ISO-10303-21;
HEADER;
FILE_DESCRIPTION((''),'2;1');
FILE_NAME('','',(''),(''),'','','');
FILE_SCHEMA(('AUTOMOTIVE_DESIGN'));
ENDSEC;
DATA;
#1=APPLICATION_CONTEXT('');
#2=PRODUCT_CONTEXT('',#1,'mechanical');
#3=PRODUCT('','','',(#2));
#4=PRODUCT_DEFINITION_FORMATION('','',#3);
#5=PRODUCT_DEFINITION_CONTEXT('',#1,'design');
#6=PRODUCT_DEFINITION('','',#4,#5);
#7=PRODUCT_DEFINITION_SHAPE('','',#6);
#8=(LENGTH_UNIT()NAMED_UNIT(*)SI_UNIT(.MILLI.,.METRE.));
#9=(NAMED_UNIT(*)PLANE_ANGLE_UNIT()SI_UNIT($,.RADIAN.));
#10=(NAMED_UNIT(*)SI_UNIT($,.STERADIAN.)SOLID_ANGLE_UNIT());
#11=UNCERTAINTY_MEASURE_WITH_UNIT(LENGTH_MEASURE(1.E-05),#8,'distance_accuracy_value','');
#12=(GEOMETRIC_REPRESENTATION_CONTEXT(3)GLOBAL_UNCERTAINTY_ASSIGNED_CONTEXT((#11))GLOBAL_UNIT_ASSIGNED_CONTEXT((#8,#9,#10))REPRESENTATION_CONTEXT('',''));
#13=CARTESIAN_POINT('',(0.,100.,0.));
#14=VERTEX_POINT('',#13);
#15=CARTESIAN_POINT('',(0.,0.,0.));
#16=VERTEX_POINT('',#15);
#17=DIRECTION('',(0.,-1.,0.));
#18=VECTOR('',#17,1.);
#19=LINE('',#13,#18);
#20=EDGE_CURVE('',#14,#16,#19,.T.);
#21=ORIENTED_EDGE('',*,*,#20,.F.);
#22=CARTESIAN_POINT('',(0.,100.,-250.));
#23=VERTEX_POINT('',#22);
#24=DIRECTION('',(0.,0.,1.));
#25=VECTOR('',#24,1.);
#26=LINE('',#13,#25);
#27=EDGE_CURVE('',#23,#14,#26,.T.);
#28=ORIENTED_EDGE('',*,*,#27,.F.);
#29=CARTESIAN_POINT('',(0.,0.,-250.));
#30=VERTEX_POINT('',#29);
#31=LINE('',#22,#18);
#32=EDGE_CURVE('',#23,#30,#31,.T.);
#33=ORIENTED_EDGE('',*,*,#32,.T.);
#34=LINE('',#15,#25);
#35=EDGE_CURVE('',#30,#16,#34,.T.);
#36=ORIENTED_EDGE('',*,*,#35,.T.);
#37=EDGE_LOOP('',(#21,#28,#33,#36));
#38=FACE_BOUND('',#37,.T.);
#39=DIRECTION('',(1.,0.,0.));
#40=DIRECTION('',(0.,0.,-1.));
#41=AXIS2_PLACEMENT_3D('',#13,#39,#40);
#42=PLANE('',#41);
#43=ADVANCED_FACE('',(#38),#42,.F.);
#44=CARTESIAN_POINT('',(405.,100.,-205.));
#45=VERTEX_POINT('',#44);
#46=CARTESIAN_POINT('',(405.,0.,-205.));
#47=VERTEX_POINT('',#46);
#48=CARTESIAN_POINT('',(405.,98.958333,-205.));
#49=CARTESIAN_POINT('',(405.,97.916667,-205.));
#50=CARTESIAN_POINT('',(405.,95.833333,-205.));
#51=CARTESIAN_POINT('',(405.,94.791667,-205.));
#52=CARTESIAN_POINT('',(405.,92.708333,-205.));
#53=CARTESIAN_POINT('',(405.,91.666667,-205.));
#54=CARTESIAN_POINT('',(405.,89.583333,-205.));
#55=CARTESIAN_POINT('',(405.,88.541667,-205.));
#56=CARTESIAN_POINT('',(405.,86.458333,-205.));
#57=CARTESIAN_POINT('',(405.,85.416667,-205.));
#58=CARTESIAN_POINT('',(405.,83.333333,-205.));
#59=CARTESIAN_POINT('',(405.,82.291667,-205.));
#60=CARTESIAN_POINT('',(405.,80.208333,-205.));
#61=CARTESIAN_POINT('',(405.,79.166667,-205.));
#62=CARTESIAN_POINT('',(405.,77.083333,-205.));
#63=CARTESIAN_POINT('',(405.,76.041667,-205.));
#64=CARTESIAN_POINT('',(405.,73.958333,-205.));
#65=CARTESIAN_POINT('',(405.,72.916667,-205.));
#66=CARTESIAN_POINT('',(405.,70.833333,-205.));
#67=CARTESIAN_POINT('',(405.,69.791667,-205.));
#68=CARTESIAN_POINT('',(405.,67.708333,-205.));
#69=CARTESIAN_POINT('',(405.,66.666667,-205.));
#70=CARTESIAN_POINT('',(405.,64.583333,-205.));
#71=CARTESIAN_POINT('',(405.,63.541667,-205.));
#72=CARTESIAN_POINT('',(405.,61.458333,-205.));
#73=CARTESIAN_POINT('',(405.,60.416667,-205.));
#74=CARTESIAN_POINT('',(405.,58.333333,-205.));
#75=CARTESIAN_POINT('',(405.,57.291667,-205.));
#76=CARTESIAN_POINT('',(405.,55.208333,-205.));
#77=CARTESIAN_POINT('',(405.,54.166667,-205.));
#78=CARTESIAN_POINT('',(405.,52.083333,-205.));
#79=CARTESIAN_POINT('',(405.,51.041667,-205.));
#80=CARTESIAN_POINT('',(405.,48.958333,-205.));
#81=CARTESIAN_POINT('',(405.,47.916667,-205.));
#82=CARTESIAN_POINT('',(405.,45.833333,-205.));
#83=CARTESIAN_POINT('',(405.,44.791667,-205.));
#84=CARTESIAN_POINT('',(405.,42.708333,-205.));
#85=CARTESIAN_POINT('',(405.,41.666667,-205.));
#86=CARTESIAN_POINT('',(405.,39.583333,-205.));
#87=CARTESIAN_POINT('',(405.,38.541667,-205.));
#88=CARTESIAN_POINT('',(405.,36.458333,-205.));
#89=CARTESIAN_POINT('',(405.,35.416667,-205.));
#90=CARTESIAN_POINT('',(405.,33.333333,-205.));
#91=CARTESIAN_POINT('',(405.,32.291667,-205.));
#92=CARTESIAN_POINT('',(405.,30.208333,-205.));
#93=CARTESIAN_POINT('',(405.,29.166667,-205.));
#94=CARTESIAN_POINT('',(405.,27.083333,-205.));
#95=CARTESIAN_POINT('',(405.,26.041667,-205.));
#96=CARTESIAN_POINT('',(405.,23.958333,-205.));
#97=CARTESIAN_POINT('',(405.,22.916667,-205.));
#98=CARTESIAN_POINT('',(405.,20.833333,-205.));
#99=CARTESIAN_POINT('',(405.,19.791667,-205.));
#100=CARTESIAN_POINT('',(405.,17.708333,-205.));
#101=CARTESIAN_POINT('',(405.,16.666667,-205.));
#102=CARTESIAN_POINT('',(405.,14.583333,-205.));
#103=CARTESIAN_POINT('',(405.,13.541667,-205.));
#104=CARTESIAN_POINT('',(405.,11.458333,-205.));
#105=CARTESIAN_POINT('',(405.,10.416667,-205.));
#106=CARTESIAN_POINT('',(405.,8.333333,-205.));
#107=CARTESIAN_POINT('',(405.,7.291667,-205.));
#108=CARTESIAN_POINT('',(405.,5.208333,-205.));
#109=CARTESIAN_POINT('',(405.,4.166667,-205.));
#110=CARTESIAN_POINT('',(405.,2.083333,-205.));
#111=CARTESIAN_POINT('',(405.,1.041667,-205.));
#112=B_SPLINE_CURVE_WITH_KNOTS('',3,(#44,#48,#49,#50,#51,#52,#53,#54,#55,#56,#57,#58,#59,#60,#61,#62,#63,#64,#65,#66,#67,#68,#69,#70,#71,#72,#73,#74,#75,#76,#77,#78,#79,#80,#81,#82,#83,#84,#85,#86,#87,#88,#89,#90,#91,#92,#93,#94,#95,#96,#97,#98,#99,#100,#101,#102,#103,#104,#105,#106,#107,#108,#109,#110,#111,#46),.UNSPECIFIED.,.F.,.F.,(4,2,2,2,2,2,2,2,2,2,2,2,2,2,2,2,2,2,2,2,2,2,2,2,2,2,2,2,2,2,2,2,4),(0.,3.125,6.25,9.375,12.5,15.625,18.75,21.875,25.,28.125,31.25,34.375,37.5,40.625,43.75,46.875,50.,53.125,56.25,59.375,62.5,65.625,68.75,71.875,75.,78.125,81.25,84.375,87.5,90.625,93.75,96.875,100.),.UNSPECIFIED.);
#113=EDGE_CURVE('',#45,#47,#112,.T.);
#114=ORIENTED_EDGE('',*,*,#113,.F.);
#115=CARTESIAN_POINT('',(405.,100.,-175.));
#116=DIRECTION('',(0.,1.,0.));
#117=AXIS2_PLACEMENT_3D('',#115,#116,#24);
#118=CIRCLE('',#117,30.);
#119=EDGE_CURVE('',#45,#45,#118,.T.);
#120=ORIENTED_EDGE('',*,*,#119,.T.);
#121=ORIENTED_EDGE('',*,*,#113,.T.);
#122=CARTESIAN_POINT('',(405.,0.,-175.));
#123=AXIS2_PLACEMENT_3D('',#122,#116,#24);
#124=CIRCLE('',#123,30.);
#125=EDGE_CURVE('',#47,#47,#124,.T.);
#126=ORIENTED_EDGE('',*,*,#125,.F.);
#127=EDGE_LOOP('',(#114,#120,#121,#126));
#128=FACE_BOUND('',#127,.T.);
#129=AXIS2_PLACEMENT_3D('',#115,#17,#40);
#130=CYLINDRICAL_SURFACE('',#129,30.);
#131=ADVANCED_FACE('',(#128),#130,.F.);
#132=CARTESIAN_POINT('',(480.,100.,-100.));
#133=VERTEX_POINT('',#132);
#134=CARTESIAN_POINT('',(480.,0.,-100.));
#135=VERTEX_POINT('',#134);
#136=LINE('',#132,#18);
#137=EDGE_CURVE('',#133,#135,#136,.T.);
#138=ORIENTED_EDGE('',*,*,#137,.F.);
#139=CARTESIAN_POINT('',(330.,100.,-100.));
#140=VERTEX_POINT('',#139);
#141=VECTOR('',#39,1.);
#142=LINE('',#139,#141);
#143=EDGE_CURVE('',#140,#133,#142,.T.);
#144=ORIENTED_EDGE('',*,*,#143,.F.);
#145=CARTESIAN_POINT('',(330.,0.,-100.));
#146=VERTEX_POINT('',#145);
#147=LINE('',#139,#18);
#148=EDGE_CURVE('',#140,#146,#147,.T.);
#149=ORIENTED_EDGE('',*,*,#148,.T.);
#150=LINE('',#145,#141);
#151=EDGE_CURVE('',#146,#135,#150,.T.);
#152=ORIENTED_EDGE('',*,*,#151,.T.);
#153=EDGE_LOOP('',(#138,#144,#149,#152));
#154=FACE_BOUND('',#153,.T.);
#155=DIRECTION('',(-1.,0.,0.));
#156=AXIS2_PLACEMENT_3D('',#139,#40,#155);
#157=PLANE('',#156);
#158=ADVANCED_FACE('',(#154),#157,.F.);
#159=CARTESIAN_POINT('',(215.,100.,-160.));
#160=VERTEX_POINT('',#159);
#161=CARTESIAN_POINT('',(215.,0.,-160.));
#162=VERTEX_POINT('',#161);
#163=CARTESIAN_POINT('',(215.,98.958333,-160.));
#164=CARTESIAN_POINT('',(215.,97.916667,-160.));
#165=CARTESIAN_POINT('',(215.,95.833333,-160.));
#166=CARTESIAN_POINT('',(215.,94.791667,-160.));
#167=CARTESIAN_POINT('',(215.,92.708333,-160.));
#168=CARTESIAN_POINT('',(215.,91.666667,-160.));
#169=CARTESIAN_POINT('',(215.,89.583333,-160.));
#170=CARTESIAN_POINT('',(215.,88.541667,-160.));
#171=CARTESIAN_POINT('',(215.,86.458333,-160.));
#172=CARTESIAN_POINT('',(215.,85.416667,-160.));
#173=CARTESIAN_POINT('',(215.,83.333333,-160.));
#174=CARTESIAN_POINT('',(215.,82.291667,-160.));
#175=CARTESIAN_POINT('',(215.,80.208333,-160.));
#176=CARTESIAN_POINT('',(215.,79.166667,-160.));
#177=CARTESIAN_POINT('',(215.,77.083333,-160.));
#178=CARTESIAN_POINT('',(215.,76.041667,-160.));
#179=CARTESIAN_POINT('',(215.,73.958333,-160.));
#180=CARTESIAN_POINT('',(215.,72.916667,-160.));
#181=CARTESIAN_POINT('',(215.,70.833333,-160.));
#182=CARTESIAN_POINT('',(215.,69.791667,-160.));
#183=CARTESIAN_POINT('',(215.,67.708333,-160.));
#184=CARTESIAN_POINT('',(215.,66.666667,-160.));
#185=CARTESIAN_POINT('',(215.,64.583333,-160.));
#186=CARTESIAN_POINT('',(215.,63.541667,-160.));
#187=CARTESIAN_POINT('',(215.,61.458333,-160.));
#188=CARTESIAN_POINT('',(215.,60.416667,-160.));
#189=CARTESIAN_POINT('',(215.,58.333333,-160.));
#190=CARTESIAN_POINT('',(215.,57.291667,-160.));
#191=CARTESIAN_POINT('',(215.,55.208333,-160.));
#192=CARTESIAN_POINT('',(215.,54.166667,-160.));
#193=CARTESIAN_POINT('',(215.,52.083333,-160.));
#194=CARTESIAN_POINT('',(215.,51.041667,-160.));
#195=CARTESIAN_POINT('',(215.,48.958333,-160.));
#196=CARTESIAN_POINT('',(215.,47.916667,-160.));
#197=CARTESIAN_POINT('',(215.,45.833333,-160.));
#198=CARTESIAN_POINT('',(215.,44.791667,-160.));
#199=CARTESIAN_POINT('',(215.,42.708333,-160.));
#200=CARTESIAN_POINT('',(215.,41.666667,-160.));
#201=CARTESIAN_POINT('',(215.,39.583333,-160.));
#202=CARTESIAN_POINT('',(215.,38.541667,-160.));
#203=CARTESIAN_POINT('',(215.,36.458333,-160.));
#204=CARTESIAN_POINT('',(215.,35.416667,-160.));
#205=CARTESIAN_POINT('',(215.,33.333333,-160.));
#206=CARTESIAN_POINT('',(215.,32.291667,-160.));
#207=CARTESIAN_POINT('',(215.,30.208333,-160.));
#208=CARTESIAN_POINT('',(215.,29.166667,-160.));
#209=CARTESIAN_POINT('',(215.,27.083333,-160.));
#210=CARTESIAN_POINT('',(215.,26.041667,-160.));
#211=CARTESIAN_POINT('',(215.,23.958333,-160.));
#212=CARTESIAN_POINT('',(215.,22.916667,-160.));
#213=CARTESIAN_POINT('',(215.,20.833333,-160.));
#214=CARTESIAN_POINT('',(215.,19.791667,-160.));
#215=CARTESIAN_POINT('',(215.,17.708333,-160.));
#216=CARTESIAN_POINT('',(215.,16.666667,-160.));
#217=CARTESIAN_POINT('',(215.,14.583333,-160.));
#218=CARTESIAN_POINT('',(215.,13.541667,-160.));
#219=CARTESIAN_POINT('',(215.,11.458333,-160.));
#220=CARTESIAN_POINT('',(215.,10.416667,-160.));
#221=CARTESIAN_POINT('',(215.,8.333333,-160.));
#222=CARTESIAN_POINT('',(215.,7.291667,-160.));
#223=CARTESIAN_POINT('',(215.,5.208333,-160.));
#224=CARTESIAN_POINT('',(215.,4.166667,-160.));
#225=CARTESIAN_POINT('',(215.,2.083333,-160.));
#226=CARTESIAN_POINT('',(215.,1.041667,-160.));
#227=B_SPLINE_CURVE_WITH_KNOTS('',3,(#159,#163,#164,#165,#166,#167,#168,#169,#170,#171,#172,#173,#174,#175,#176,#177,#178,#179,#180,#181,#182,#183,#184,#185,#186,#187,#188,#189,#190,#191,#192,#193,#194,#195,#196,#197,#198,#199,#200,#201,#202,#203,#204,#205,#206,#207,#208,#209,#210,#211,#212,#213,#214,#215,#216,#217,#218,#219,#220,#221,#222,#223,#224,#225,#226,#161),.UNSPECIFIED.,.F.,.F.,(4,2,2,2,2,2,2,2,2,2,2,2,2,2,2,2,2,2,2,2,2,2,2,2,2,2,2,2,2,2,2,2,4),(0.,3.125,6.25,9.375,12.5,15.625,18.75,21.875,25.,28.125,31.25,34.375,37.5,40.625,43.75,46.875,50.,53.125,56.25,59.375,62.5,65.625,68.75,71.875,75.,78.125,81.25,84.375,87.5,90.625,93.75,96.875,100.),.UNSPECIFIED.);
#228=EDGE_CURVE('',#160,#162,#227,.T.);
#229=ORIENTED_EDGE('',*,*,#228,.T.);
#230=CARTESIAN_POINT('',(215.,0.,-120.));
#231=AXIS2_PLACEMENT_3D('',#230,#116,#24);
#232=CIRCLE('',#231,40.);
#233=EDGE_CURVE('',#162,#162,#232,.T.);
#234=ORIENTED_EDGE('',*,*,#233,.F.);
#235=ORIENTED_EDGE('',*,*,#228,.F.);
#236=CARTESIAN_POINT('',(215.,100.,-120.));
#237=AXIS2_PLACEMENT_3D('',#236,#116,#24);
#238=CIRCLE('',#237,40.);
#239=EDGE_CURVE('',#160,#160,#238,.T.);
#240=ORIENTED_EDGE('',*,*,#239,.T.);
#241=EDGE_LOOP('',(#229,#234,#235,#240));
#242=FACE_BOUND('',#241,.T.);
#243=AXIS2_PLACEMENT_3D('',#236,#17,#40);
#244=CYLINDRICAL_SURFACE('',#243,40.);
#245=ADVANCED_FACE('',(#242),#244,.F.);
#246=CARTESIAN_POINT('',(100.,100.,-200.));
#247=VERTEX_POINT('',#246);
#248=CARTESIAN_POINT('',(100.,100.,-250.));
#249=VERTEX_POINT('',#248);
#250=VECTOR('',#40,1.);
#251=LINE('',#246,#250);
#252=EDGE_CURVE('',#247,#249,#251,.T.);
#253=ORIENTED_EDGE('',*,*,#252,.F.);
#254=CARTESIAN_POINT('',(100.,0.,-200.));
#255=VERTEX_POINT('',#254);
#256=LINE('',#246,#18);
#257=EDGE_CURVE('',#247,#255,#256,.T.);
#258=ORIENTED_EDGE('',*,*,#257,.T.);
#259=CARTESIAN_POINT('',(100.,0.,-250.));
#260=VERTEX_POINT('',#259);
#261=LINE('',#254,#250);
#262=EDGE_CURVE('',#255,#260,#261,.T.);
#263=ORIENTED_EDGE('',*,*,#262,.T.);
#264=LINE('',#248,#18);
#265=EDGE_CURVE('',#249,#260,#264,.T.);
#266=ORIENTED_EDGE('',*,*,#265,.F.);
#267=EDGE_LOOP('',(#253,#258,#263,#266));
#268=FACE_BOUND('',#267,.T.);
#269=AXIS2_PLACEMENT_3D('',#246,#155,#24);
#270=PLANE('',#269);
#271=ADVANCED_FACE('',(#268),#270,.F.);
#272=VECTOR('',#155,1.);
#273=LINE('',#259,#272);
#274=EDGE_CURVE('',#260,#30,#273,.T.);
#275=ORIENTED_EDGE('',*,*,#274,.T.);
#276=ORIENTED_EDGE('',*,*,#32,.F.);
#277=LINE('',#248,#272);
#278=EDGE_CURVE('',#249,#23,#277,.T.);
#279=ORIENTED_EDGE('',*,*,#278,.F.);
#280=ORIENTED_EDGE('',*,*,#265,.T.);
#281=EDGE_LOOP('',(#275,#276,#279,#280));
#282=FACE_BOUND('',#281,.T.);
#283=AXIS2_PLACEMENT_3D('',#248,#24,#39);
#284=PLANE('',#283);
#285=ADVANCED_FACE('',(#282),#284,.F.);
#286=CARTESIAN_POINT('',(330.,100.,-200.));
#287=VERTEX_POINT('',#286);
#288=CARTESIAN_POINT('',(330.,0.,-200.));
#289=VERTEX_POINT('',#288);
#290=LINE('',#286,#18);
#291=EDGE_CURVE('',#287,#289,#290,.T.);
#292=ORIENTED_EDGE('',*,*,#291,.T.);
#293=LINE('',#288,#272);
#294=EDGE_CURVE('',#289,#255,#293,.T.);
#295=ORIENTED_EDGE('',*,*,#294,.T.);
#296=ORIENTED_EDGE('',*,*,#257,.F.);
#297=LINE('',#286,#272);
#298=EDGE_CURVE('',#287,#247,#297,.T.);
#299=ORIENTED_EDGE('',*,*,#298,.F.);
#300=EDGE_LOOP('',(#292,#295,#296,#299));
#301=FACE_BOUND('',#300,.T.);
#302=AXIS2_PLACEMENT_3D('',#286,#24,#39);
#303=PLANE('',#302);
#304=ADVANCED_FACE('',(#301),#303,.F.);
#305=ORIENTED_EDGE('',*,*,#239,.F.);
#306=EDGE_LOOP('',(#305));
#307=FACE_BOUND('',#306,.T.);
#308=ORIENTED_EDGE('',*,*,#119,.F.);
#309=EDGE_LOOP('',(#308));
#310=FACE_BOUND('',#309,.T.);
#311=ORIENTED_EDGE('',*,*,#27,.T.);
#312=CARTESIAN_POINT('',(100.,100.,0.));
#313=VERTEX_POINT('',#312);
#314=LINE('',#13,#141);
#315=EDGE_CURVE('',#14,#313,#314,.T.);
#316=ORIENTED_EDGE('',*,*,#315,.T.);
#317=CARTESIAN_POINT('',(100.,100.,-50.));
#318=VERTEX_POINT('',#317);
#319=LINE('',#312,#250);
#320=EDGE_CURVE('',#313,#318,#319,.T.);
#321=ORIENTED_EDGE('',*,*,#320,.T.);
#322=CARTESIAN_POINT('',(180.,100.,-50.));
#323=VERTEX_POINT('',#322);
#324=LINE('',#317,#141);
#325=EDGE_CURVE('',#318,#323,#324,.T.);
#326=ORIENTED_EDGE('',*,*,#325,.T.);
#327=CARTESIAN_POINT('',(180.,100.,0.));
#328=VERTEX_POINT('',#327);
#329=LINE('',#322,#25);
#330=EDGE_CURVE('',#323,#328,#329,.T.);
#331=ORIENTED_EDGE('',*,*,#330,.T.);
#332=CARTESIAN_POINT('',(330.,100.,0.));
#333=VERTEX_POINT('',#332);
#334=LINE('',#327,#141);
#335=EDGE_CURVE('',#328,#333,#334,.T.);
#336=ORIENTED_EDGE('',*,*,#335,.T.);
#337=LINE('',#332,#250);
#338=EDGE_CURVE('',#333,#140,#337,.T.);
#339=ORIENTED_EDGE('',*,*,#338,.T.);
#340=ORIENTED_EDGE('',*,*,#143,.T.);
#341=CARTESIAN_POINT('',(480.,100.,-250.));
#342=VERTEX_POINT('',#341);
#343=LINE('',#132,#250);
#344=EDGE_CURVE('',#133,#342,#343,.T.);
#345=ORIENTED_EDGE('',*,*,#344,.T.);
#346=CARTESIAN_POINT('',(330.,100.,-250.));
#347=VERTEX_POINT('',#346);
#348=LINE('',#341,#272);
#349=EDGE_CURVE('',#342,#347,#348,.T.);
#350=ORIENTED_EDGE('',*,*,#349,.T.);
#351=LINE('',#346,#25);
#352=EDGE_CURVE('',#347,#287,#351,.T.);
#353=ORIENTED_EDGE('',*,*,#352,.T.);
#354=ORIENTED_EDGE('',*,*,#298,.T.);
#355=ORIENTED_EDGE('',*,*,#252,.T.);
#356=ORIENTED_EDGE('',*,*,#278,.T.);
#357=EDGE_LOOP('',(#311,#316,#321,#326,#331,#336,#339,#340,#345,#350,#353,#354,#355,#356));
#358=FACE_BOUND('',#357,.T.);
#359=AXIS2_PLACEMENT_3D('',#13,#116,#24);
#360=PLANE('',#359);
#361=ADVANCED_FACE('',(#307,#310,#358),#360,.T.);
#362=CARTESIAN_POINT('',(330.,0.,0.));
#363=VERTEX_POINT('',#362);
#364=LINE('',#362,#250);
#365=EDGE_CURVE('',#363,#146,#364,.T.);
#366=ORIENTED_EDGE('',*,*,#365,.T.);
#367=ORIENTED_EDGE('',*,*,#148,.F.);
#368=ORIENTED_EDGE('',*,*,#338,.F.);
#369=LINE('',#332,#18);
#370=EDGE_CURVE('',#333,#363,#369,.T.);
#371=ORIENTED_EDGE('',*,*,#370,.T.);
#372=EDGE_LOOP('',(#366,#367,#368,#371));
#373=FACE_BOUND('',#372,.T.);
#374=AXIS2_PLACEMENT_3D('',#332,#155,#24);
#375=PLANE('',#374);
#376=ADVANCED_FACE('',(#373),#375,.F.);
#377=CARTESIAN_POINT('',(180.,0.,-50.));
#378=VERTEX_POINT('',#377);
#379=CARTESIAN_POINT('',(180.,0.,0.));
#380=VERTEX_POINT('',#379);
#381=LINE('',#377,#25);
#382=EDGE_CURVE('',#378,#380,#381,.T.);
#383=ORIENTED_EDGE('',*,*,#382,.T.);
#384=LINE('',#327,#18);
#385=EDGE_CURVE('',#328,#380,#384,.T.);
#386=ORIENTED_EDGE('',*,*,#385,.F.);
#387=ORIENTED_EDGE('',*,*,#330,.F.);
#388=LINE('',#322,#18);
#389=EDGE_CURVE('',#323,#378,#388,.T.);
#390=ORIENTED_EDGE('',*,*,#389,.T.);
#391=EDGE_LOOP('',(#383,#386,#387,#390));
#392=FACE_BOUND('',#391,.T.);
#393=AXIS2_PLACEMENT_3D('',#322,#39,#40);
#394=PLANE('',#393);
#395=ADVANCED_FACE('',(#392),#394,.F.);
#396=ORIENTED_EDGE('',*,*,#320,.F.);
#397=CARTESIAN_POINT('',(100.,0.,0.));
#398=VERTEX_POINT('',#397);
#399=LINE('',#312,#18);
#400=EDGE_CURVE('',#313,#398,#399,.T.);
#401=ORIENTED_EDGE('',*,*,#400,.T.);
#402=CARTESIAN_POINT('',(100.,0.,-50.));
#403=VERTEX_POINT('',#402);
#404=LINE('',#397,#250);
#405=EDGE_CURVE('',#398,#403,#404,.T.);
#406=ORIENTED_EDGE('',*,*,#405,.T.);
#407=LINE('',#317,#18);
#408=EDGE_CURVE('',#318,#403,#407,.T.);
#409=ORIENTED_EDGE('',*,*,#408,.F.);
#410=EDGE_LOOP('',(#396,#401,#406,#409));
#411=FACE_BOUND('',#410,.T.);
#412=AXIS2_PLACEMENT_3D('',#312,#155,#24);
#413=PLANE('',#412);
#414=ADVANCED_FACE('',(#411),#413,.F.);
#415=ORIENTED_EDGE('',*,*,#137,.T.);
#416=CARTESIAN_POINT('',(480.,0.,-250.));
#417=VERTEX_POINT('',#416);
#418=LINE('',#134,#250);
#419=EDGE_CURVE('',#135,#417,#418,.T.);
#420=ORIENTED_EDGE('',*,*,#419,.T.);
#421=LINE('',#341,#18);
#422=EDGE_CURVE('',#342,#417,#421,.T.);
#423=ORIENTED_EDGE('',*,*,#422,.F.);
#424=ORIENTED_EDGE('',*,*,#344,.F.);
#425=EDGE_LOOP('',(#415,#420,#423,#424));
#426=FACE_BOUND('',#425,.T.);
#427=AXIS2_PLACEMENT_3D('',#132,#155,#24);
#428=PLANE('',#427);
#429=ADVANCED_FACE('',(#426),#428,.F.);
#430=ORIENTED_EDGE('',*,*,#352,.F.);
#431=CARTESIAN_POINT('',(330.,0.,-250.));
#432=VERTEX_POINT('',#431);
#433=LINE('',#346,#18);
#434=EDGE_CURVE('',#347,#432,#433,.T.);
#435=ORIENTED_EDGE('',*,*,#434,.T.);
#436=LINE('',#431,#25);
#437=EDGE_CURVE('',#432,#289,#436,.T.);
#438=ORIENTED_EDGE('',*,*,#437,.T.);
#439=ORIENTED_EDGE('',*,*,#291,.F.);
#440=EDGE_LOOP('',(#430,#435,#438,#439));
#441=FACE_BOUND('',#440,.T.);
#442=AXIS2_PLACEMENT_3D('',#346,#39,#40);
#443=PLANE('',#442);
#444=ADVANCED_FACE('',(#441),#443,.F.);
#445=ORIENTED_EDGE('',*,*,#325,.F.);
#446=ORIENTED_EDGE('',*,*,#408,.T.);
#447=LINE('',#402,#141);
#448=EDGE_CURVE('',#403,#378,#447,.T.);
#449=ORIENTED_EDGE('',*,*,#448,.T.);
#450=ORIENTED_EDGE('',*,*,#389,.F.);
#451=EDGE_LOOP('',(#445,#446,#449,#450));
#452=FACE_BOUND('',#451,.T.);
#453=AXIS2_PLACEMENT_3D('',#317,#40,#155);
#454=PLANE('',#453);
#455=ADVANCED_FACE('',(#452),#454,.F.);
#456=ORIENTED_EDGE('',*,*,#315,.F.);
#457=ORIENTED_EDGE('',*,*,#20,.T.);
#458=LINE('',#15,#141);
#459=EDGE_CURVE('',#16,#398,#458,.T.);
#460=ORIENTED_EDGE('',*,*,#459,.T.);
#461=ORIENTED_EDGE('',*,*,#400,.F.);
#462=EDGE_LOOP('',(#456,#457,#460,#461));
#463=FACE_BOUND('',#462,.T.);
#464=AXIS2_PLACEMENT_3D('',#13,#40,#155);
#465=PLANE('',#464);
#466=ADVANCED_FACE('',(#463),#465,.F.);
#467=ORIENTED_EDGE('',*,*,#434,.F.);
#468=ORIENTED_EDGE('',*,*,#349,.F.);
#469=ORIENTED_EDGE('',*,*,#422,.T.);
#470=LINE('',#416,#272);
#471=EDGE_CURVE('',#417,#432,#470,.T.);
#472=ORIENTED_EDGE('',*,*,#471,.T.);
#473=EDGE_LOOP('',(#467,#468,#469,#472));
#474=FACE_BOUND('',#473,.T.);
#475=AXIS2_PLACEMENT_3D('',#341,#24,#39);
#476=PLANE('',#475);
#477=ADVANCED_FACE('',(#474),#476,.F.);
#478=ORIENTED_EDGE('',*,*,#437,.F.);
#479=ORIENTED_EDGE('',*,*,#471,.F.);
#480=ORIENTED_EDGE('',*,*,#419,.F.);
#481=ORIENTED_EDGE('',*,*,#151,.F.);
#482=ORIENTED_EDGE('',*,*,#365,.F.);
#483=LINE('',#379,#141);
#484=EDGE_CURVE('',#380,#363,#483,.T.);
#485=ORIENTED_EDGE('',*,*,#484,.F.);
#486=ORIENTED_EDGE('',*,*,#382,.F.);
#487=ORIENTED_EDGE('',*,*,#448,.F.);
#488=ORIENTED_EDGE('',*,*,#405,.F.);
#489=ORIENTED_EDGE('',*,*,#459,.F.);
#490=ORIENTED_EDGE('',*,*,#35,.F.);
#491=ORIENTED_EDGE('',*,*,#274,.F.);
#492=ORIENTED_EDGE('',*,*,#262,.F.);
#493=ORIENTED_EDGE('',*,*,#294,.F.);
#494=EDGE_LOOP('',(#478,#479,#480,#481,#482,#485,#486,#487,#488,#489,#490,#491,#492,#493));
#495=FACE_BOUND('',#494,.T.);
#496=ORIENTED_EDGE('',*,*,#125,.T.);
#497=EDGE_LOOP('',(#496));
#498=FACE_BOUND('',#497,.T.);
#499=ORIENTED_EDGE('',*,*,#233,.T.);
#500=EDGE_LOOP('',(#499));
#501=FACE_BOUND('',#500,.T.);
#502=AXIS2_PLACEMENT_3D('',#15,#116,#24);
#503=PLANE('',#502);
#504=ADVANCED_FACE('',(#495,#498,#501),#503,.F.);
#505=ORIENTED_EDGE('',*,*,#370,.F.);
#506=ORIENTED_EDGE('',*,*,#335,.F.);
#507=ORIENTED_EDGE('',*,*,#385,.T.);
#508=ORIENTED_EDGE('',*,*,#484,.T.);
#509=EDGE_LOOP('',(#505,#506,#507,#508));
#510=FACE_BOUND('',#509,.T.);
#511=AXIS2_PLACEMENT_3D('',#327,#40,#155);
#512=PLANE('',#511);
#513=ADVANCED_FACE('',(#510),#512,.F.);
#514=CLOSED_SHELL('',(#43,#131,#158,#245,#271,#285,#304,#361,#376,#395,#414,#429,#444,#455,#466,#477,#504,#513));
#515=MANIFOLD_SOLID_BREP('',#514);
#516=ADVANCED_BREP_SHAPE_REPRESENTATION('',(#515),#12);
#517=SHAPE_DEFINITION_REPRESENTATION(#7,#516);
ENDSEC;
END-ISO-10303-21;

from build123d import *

# Parameters (mm, degrees)
SKETCH1_R           = 40
SKETCH1_R_2         = 30
BOSS_EXTRUDE1_DEPTH = 100


with BuildPart() as part:
    # Sketch1 → Boss-Extrude1 (new body)
    with BuildSketch(Plane(origin=(0, 0, 0), x_dir=(1, 0, 0), z_dir=(0, 1, 0))):
        Polygon((0, 0), (100, 0), (100, 50), (180, 50), (180, 0), (330, 0), (330, 100), (480, 100), (480, 250), (330, 250), (330, 200), (100, 200), (100, 250), (0, 250), align=None)
        with Locations(Location((215, 120, 0), (0, 0, 90))):
            Circle(SKETCH1_R, mode=Mode.SUBTRACT)
        with Locations(Location((405, 175, 0), (0, 0, 90))):
            Circle(SKETCH1_R_2, mode=Mode.SUBTRACT)
    extrude(amount=BOSS_EXTRUDE1_DEPTH)


solid = part.part
